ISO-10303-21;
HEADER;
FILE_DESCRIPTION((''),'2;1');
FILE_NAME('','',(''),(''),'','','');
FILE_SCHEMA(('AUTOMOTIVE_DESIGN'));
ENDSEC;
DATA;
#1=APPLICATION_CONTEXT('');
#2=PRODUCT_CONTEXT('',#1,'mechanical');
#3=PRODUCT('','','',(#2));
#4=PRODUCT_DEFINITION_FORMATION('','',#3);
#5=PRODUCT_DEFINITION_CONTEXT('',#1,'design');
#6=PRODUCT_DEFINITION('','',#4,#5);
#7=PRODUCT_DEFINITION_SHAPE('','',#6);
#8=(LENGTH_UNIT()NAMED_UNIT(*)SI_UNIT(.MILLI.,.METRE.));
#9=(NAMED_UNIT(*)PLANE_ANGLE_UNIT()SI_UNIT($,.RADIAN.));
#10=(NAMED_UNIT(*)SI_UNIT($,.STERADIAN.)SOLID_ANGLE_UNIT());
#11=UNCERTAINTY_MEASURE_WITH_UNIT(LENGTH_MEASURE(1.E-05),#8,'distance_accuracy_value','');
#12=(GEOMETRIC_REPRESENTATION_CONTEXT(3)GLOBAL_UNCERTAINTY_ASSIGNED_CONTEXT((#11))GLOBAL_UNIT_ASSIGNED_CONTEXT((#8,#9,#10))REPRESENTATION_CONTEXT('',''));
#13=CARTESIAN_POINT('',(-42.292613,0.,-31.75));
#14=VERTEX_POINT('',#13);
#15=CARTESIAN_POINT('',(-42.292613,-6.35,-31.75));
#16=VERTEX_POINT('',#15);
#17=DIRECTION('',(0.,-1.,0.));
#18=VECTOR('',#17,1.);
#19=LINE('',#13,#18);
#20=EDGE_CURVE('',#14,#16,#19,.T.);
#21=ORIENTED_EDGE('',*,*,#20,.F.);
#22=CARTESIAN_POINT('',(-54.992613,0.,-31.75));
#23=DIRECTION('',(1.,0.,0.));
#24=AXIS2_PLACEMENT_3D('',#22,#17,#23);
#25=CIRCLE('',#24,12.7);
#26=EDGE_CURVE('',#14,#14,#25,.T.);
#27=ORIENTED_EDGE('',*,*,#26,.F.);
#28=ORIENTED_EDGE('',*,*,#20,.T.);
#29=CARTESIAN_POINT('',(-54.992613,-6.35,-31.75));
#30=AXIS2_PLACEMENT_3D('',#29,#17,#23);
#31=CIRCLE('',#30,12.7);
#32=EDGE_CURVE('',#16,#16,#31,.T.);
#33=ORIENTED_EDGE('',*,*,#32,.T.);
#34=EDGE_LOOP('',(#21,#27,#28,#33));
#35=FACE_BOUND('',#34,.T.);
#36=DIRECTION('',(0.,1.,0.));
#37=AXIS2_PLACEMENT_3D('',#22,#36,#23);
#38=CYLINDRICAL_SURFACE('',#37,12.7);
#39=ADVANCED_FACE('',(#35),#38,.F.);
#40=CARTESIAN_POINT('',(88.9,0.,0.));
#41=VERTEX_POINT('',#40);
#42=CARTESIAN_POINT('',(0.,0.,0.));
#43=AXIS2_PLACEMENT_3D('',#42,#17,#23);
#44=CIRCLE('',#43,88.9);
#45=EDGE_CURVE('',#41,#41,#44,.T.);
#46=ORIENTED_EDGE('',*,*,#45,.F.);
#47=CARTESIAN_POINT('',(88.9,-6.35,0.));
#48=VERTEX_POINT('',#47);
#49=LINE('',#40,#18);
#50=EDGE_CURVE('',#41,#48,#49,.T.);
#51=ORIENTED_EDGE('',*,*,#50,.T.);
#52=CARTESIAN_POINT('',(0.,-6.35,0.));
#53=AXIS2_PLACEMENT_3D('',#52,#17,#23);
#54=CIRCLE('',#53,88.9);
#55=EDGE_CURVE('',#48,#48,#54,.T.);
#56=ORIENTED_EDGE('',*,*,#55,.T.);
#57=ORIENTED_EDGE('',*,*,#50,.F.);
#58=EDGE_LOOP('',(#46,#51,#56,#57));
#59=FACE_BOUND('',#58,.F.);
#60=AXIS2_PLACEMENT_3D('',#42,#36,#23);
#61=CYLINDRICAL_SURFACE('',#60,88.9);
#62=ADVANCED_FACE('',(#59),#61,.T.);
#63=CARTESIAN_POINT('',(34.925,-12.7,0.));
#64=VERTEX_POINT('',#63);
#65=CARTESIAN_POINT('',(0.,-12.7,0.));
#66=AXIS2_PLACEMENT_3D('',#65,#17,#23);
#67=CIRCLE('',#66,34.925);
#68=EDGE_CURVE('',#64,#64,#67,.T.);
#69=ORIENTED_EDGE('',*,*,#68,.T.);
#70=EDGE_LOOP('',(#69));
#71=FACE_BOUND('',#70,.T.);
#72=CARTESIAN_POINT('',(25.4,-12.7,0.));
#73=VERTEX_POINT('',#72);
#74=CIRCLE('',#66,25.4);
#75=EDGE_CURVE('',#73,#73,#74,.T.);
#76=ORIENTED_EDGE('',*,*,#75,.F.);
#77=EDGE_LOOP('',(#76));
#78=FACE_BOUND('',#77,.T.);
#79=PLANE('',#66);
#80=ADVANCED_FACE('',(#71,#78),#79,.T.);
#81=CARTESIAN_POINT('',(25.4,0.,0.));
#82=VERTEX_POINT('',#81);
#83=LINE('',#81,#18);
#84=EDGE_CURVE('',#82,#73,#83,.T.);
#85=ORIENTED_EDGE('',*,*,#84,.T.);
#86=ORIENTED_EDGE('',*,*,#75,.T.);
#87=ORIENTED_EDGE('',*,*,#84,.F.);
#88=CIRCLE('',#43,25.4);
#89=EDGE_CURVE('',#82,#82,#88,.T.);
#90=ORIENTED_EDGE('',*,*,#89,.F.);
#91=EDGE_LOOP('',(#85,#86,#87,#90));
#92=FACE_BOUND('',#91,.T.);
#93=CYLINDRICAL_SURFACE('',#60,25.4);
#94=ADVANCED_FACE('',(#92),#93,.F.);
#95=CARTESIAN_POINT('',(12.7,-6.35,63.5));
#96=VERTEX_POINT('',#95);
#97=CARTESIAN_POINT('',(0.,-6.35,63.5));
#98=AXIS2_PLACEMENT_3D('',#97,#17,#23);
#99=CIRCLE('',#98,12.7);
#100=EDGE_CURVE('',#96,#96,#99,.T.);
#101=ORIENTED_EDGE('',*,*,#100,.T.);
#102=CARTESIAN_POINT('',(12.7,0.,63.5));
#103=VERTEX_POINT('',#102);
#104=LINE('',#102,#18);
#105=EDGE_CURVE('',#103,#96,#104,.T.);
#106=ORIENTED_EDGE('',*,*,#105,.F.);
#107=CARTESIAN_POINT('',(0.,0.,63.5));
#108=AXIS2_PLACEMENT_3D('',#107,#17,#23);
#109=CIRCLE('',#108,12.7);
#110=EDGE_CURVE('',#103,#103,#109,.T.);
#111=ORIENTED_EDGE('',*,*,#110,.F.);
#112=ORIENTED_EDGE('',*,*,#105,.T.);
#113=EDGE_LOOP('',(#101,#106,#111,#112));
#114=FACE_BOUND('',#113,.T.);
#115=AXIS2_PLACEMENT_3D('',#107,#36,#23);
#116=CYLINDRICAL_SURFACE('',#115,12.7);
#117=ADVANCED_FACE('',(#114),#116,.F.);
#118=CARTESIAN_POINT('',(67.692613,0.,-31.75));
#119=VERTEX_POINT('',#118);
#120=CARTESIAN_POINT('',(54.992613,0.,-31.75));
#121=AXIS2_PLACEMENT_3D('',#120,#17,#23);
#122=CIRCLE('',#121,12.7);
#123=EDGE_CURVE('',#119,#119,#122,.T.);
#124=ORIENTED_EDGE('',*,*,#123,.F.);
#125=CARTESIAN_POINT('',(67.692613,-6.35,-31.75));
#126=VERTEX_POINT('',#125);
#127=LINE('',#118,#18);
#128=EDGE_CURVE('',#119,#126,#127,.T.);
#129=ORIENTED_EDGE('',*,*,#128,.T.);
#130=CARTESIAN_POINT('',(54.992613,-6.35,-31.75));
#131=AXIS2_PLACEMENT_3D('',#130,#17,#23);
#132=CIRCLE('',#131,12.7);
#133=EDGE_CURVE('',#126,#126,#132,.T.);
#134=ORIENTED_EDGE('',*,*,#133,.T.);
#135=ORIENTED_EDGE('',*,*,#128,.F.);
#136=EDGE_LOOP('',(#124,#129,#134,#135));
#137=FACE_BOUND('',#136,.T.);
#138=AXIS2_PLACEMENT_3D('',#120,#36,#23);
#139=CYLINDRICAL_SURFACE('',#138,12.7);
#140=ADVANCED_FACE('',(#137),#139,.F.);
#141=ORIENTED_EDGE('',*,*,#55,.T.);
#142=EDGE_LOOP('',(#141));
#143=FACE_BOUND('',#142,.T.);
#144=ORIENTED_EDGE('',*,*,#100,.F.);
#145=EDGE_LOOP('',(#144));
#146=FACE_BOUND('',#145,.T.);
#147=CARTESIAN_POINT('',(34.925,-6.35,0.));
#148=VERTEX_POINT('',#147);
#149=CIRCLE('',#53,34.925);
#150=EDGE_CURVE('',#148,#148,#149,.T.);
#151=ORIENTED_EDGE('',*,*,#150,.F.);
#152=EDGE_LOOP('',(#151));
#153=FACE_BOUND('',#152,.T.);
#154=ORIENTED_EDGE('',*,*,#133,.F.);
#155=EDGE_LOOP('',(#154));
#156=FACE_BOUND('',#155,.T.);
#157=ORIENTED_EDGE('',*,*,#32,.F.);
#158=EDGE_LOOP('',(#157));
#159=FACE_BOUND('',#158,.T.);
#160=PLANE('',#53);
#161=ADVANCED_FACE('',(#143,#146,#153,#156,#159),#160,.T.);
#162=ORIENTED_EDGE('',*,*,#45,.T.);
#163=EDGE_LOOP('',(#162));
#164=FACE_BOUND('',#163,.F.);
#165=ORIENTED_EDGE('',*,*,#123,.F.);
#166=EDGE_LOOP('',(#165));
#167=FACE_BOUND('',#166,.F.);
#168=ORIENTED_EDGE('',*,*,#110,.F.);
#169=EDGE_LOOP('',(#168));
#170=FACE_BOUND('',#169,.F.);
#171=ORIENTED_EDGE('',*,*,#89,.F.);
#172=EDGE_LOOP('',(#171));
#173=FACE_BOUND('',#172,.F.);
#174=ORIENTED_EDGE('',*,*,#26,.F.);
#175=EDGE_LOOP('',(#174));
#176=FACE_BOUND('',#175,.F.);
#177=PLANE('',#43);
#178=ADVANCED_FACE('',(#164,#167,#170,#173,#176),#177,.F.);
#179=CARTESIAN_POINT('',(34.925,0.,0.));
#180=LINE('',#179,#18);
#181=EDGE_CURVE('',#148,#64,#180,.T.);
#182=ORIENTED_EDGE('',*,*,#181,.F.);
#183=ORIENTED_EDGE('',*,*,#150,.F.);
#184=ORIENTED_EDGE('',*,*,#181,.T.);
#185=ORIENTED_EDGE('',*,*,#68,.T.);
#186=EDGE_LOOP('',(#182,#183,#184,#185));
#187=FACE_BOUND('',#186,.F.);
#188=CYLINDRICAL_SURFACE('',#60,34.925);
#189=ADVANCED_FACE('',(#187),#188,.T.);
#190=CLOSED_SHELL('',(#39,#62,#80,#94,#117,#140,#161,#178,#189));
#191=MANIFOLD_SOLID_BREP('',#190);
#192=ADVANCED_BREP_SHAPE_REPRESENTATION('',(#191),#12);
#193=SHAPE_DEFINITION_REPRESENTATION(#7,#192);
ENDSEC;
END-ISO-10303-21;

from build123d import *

# Parameters (mm, degrees)
F0_R     = 88.9
F0_R_2   = 12.7
F0_R_3   = 34.925
F1_DEPTH = 6.35
F0_R_4   = 25.4
F2_DEPTH = 12.7


with BuildPart() as f1:
    # F0 (on Front) → F1 (new body)
    with BuildSketch(Plane.XZ):
        Circle(F0_R)
        with Locations((-54.992613, -31.75)):
            Circle(F0_R_2, mode=Mode.SUBTRACT)
        with Locations((54.992613, -31.75)):
            Circle(F0_R_2, mode=Mode.SUBTRACT)
        Circle(F0_R_3, mode=Mode.SUBTRACT)
        with Locations((0, 63.5)):
            Circle(F0_R_2, mode=Mode.SUBTRACT)
    extrude(amount=F1_DEPTH)

    # F0 (on Front) → F2 (join)
    with BuildSketch(Plane.XZ):
        Circle(F0_R_3)
        Circle(F0_R_4, mode=Mode.SUBTRACT)
    extrude(amount=F2_DEPTH)


solid = f1.part
